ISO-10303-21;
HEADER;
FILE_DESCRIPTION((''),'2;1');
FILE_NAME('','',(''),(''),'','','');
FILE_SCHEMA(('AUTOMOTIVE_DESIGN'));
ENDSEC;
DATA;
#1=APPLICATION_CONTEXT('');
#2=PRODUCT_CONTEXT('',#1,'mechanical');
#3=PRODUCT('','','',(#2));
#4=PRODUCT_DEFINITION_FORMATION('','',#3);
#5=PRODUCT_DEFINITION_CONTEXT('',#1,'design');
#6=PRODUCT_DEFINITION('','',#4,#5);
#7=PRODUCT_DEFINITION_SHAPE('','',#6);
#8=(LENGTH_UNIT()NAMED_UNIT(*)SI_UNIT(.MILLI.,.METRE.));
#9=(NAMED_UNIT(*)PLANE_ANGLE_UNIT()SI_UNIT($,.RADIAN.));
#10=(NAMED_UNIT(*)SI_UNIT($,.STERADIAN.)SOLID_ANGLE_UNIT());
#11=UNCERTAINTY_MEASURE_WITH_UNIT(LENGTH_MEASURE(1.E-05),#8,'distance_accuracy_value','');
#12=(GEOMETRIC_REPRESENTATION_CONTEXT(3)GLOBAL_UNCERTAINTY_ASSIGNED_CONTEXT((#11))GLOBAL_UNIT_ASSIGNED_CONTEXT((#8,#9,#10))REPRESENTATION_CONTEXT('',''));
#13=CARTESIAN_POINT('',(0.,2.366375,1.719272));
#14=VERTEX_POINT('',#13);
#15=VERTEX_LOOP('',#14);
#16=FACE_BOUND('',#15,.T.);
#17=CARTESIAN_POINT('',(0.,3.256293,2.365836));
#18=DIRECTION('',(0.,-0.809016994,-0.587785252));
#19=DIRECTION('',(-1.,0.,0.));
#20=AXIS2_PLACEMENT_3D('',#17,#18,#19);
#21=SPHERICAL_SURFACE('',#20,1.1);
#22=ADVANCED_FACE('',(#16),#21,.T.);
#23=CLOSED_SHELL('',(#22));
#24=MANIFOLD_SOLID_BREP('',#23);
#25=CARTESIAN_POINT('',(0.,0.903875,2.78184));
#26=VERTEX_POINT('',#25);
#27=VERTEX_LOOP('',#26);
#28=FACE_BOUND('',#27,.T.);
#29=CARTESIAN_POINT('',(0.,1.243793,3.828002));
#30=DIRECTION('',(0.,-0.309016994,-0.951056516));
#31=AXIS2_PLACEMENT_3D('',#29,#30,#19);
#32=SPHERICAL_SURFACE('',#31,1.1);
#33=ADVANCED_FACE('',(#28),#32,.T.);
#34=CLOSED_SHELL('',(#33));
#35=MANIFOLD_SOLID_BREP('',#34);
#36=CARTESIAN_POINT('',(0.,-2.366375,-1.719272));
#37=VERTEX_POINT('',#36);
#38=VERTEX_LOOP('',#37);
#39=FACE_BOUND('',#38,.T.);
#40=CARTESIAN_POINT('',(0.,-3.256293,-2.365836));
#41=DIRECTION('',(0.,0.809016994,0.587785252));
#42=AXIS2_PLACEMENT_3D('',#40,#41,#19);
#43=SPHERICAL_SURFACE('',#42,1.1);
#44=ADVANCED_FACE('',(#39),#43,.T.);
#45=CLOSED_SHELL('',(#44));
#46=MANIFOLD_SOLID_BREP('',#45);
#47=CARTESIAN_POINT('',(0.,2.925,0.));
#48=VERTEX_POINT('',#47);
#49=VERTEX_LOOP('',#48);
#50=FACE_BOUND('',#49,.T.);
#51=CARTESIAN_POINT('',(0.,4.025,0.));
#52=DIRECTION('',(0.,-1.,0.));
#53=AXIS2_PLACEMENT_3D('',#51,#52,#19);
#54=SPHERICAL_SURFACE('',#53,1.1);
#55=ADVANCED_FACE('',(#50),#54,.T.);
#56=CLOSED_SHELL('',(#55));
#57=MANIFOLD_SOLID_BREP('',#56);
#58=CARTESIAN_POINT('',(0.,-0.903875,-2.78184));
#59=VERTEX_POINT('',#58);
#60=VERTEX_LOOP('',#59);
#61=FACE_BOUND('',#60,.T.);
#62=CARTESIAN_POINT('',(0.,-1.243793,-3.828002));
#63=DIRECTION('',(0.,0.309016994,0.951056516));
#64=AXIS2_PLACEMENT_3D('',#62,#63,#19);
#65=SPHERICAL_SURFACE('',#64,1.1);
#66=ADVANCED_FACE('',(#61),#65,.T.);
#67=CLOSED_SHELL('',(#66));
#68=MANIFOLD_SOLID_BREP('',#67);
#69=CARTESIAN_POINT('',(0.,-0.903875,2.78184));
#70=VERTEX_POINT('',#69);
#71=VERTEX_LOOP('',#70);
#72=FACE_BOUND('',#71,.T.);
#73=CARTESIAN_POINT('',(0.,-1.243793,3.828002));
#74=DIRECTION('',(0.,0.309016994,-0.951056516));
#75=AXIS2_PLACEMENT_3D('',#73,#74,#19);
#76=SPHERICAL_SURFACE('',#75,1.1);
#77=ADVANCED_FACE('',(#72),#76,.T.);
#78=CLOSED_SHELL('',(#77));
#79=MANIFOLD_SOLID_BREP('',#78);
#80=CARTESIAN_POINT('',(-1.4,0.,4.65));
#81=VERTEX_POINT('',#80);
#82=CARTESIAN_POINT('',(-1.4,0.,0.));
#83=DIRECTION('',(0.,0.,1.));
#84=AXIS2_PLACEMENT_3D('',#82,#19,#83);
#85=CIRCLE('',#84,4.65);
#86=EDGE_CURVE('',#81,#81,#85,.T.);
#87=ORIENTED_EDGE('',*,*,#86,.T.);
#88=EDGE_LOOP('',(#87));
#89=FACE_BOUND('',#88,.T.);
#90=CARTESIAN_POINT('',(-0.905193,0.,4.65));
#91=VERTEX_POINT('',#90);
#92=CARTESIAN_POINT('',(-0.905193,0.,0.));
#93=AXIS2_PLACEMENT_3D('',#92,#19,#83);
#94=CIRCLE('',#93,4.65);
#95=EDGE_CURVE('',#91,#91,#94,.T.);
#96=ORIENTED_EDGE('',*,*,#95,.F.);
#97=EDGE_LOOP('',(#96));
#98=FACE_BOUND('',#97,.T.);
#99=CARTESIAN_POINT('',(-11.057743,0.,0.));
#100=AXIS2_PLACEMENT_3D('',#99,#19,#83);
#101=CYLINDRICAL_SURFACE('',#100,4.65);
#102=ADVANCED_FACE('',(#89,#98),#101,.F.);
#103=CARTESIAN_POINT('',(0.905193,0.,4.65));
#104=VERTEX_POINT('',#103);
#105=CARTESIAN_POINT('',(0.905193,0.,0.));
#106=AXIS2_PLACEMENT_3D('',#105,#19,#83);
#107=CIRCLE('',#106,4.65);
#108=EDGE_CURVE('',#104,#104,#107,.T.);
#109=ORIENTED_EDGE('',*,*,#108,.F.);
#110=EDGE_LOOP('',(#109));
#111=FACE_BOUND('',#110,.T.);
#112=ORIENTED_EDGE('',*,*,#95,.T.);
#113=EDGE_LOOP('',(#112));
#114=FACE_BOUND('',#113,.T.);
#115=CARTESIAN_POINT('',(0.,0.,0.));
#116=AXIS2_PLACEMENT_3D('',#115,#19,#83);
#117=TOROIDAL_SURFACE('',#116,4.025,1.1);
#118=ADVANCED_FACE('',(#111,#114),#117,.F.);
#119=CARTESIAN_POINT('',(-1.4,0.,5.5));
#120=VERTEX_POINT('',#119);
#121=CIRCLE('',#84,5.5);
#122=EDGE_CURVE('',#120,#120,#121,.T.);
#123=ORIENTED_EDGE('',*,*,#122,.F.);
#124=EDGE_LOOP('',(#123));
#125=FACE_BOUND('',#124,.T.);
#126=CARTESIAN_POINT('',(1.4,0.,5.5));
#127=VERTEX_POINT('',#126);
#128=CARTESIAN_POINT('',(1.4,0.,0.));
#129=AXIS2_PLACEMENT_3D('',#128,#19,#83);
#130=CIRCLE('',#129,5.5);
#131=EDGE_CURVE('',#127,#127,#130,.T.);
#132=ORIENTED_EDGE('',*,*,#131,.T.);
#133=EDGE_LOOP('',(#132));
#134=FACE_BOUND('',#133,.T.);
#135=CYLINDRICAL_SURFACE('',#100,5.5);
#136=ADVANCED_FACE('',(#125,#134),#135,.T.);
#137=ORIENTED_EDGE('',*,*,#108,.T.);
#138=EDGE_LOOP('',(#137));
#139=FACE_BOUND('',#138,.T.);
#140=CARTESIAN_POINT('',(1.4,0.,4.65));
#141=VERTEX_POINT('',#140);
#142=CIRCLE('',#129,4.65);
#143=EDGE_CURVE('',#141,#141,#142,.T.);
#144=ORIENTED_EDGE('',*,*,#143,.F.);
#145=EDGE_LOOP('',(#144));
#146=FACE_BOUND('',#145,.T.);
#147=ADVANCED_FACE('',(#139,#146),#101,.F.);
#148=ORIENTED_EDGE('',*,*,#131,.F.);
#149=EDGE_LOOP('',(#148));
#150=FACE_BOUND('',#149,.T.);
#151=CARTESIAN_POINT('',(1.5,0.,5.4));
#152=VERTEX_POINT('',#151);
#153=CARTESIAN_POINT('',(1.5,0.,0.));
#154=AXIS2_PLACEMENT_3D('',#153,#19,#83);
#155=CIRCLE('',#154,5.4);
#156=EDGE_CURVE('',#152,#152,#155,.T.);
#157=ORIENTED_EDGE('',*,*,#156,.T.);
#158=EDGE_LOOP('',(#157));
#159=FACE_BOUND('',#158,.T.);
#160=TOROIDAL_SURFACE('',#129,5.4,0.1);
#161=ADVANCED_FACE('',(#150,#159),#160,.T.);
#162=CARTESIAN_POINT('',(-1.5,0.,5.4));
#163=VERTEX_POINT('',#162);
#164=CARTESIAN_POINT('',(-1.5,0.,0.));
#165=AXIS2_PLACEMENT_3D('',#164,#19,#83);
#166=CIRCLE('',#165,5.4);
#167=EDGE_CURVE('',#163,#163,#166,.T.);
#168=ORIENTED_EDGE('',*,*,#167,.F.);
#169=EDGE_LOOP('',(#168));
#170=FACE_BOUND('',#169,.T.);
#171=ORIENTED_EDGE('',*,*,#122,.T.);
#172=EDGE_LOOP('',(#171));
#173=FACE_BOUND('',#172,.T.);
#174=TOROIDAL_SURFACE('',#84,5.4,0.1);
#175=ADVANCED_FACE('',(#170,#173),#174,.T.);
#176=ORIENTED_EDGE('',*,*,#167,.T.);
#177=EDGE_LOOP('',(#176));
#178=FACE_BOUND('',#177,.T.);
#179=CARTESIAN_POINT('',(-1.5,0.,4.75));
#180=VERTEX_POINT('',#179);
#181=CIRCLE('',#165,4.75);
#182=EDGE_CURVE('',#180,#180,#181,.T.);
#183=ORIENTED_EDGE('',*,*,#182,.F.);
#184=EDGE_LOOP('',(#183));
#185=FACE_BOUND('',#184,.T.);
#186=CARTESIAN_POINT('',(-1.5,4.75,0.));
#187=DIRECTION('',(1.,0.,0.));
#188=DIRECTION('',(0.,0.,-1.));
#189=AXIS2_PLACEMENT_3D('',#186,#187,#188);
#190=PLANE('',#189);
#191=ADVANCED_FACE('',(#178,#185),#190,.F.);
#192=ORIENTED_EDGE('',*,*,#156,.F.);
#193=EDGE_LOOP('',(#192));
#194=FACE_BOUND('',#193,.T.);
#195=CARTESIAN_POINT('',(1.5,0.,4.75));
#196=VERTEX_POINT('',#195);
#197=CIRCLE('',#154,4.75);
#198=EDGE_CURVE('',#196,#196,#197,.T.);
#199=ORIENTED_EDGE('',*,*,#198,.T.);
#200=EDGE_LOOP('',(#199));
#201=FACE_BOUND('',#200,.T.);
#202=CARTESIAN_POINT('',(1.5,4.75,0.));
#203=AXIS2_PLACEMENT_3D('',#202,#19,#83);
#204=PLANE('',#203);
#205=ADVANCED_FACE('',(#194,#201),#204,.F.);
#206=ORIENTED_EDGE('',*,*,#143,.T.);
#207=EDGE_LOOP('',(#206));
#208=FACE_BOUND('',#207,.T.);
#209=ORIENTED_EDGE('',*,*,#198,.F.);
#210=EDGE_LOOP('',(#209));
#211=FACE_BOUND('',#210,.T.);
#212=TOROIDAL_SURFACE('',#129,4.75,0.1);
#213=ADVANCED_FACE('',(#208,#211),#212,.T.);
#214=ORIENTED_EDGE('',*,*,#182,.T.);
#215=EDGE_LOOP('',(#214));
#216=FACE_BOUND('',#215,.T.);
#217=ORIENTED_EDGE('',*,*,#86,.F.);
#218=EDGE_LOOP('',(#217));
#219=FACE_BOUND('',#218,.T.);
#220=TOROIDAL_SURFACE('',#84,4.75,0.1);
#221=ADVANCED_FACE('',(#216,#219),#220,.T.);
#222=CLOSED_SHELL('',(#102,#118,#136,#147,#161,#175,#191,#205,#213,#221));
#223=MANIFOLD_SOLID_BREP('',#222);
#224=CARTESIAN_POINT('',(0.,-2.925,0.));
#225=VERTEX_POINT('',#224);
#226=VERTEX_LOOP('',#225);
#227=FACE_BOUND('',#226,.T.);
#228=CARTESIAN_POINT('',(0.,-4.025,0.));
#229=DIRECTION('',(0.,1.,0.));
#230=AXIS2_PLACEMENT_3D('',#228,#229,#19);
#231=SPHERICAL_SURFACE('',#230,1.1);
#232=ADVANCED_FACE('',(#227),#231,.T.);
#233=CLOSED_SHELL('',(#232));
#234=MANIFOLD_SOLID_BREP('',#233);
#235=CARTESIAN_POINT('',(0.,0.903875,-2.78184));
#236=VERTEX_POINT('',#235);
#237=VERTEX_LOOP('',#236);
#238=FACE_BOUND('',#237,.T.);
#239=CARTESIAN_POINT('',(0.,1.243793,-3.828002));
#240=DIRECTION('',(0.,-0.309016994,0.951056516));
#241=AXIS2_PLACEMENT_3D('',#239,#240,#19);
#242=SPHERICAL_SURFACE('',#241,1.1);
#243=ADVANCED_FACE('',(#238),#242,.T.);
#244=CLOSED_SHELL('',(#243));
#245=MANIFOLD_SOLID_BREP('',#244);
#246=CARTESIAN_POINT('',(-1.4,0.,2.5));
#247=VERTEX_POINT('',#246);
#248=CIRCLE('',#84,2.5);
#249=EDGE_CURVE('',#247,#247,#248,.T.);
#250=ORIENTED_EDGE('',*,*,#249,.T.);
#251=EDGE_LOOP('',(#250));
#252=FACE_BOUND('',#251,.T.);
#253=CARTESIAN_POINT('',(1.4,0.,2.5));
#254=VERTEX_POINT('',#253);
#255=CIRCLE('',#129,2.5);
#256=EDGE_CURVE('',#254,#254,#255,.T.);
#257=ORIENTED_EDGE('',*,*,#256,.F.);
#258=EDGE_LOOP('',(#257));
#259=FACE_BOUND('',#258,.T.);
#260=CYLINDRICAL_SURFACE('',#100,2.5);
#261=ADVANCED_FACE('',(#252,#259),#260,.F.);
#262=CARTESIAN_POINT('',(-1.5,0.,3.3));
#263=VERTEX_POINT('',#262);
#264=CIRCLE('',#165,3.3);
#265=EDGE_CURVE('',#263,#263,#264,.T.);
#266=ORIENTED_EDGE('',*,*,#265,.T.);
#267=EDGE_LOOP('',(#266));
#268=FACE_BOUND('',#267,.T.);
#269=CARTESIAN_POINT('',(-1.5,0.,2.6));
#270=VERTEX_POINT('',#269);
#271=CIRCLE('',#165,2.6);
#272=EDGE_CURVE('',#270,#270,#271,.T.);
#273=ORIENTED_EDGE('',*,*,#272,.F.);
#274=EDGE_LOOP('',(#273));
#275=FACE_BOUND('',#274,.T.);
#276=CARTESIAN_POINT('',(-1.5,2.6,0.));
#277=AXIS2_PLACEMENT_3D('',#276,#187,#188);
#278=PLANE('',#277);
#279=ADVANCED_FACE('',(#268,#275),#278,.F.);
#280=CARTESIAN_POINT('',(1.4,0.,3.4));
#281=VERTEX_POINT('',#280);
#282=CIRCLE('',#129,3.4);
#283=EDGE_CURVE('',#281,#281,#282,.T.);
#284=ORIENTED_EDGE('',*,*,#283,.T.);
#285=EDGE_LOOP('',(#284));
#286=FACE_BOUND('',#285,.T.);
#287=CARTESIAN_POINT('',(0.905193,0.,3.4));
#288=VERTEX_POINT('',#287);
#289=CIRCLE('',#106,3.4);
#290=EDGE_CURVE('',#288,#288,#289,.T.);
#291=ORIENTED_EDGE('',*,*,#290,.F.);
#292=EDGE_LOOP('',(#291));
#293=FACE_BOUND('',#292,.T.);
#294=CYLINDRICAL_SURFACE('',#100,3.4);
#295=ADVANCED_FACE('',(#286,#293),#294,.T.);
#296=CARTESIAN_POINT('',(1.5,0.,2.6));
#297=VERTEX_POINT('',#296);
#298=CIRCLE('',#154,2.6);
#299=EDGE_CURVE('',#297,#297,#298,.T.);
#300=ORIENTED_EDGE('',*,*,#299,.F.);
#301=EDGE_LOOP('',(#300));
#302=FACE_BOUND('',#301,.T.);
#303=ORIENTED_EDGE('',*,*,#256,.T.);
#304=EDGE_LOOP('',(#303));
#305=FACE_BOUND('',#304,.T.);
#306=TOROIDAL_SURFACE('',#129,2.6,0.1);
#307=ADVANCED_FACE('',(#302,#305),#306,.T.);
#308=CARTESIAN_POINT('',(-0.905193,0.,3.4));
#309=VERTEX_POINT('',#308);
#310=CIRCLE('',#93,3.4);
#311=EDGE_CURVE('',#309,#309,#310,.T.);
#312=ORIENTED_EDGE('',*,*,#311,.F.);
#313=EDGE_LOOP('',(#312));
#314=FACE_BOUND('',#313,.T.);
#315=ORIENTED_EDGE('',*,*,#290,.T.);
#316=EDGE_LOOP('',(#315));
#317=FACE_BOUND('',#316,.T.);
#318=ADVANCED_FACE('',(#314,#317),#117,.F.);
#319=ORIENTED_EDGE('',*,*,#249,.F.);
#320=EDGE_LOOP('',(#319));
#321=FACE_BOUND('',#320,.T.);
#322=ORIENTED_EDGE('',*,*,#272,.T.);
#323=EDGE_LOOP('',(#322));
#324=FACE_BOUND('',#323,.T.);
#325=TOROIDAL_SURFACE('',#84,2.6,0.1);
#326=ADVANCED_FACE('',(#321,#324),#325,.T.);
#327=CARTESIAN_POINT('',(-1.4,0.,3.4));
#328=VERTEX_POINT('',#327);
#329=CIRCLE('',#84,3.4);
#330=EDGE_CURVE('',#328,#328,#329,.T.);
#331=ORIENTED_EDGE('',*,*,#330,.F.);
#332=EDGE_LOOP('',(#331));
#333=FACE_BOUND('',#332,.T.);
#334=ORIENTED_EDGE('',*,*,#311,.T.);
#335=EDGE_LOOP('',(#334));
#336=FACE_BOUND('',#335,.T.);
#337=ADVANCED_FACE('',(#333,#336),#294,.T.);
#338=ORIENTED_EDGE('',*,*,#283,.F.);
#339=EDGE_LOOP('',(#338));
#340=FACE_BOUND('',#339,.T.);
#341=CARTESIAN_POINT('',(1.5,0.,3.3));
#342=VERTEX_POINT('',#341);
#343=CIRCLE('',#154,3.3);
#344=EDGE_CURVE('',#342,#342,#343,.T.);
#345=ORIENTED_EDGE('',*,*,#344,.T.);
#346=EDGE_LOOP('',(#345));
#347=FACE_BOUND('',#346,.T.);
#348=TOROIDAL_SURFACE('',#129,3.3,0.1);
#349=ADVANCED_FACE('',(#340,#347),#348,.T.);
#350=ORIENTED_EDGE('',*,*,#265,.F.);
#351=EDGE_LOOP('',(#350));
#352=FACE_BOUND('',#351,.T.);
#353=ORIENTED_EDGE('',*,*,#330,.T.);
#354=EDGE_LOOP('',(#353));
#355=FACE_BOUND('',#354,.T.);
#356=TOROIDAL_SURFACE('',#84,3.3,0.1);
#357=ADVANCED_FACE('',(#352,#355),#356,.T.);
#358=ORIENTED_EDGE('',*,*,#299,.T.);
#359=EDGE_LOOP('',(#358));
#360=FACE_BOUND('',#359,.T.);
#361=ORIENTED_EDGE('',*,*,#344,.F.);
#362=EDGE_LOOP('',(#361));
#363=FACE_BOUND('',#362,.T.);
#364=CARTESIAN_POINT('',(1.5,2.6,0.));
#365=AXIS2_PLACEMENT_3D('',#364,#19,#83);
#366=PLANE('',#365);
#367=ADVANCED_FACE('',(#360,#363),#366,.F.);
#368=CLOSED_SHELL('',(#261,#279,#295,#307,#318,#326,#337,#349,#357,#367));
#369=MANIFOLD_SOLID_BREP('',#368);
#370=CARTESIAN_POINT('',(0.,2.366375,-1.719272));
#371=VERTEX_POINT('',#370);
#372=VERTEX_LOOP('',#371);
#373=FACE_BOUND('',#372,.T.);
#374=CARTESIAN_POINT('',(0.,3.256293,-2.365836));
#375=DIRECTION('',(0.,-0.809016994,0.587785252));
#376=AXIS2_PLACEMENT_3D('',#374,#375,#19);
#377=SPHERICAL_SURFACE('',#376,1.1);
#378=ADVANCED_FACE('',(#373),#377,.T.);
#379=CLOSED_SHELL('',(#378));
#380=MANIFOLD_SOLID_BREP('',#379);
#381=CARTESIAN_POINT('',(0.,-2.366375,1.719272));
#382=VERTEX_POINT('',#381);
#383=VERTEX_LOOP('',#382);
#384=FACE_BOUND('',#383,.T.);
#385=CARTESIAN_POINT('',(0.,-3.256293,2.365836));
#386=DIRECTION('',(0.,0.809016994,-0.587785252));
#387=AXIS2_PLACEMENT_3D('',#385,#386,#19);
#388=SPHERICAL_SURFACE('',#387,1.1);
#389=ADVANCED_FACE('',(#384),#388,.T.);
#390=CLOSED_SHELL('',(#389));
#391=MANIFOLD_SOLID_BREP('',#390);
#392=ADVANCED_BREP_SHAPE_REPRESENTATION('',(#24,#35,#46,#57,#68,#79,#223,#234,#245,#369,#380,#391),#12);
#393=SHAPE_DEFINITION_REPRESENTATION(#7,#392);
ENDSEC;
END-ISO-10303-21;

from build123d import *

# Parameters (mm, degrees)
CIRPATTERN1_COUNT = 10


with BuildPart() as part:
    # Sketch1 → Revolve1 (revolve)
    with BuildSketch(Plane.XY, mode=Mode.PRIVATE) as revolve1_sk:
        with BuildLine():
            Line((1.5, 2.6), (1.5, 3.3))
            ThreePointArc((1.5, 3.3), (1.470710678, 3.370710678), (1.4, 3.4))
            Line((1.4, 3.4), (0.90519335, 3.4))
            ThreePointArc((0.90519335, 3.4), (0, 2.925), (-0.90519335, 3.4))
            Line((-0.90519335, 3.4), (-1.4, 3.4))
            ThreePointArc((-1.4, 3.4), (-1.470710678, 3.370710678), (-1.5, 3.3))
            Line((-1.5, 3.3), (-1.5, 2.6))
            ThreePointArc((-1.5, 2.6), (-1.470710678, 2.529289322), (-1.4, 2.5))
            Line((-1.4, 2.5), (1.4, 2.5))
            ThreePointArc((1.4, 2.5), (1.470710678, 2.529289322), (1.5, 2.6))
        make_face()
        with BuildLine():
            Line((-1.4, 5.5), (1.4, 5.5))
            ThreePointArc((1.4, 5.5), (1.470710678, 5.470710678), (1.5, 5.4))
            Line((1.5, 5.4), (1.5, 4.75))
            ThreePointArc((1.5, 4.75), (1.470710678, 4.679289322), (1.4, 4.65))
            Line((1.4, 4.65), (0.90519335, 4.65))
            ThreePointArc((0.90519335, 4.65), (0, 5.125), (-0.90519335, 4.65))
            Line((-0.90519335, 4.65), (-1.4, 4.65))
            ThreePointArc((-1.4, 4.65), (-1.470710678, 4.679289322), (-1.5, 4.75))
            Line((-1.5, 4.75), (-1.5, 5.4))
            ThreePointArc((-1.5, 5.4), (-1.470710678, 5.470710678), (-1.4, 5.5))
        make_face()
    revolve(revolve1_sk.sketch.rotate(Axis((-11.057742782, 0, 0), (1, 0, 0)), 90), axis=Axis((-11.057742782, 0, 0), (1, 0, 0)))


with BuildPart() as body_2:
    # Sketch2 → Revolve2 (revolve)
    with BuildSketch(Plane.XY):
        with BuildLine():
            Line((0, 2.925), (0, 5.125))
            ThreePointArc((0, 5.125), (1.1, 4.025), (0, 2.925))
        make_face()
    revolve(axis=Axis((0, 2.925, 0), (0, 1, 0)))


with BuildPart() as cirpattern1_1:
    # CirPattern1: pattern copy
    add(body_2.part.rotate(Axis((0, 0, 0), (1, 0, 0)), 1 * 360 / CIRPATTERN1_COUNT))


with BuildPart() as cirpattern1_2:
    # CirPattern1: pattern copy
    add(body_2.part.rotate(Axis((0, 0, 0), (1, 0, 0)), 2 * 360 / CIRPATTERN1_COUNT))


with BuildPart() as cirpattern1_3:
    # CirPattern1: pattern copy
    add(body_2.part.rotate(Axis((0, 0, 0), (1, 0, 0)), 3 * 360 / CIRPATTERN1_COUNT))


with BuildPart() as cirpattern1_4:
    # CirPattern1: pattern copy
    add(body_2.part.rotate(Axis((0, 0, 0), (1, 0, 0)), 4 * 360 / CIRPATTERN1_COUNT))


with BuildPart() as cirpattern1_5:
    # CirPattern1: pattern copy
    add(body_2.part.rotate(Axis((0, 0, 0), (1, 0, 0)), 5 * 360 / CIRPATTERN1_COUNT))


with BuildPart() as cirpattern1_6:
    # CirPattern1: pattern copy
    add(body_2.part.rotate(Axis((0, 0, 0), (1, 0, 0)), 6 * 360 / CIRPATTERN1_COUNT))


with BuildPart() as cirpattern1_7:
    # CirPattern1: pattern copy
    add(body_2.part.rotate(Axis((0, 0, 0), (1, 0, 0)), 7 * 360 / CIRPATTERN1_COUNT))


with BuildPart() as cirpattern1_8:
    # CirPattern1: pattern copy
    add(body_2.part.rotate(Axis((0, 0, 0), (1, 0, 0)), 8 * 360 / CIRPATTERN1_COUNT))


with BuildPart() as cirpattern1_9:
    # CirPattern1: pattern copy
    add(body_2.part.rotate(Axis((0, 0, 0), (1, 0, 0)), 9 * 360 / CIRPATTERN1_COUNT))


solid = Compound([part.part, body_2.part, cirpattern1_1.part, cirpattern1_2.part, cirpattern1_3.part, cirpattern1_4.part, cirpattern1_5.part, cirpattern1_6.part, cirpattern1_7.part, cirpattern1_8.part, cirpattern1_9.part])
